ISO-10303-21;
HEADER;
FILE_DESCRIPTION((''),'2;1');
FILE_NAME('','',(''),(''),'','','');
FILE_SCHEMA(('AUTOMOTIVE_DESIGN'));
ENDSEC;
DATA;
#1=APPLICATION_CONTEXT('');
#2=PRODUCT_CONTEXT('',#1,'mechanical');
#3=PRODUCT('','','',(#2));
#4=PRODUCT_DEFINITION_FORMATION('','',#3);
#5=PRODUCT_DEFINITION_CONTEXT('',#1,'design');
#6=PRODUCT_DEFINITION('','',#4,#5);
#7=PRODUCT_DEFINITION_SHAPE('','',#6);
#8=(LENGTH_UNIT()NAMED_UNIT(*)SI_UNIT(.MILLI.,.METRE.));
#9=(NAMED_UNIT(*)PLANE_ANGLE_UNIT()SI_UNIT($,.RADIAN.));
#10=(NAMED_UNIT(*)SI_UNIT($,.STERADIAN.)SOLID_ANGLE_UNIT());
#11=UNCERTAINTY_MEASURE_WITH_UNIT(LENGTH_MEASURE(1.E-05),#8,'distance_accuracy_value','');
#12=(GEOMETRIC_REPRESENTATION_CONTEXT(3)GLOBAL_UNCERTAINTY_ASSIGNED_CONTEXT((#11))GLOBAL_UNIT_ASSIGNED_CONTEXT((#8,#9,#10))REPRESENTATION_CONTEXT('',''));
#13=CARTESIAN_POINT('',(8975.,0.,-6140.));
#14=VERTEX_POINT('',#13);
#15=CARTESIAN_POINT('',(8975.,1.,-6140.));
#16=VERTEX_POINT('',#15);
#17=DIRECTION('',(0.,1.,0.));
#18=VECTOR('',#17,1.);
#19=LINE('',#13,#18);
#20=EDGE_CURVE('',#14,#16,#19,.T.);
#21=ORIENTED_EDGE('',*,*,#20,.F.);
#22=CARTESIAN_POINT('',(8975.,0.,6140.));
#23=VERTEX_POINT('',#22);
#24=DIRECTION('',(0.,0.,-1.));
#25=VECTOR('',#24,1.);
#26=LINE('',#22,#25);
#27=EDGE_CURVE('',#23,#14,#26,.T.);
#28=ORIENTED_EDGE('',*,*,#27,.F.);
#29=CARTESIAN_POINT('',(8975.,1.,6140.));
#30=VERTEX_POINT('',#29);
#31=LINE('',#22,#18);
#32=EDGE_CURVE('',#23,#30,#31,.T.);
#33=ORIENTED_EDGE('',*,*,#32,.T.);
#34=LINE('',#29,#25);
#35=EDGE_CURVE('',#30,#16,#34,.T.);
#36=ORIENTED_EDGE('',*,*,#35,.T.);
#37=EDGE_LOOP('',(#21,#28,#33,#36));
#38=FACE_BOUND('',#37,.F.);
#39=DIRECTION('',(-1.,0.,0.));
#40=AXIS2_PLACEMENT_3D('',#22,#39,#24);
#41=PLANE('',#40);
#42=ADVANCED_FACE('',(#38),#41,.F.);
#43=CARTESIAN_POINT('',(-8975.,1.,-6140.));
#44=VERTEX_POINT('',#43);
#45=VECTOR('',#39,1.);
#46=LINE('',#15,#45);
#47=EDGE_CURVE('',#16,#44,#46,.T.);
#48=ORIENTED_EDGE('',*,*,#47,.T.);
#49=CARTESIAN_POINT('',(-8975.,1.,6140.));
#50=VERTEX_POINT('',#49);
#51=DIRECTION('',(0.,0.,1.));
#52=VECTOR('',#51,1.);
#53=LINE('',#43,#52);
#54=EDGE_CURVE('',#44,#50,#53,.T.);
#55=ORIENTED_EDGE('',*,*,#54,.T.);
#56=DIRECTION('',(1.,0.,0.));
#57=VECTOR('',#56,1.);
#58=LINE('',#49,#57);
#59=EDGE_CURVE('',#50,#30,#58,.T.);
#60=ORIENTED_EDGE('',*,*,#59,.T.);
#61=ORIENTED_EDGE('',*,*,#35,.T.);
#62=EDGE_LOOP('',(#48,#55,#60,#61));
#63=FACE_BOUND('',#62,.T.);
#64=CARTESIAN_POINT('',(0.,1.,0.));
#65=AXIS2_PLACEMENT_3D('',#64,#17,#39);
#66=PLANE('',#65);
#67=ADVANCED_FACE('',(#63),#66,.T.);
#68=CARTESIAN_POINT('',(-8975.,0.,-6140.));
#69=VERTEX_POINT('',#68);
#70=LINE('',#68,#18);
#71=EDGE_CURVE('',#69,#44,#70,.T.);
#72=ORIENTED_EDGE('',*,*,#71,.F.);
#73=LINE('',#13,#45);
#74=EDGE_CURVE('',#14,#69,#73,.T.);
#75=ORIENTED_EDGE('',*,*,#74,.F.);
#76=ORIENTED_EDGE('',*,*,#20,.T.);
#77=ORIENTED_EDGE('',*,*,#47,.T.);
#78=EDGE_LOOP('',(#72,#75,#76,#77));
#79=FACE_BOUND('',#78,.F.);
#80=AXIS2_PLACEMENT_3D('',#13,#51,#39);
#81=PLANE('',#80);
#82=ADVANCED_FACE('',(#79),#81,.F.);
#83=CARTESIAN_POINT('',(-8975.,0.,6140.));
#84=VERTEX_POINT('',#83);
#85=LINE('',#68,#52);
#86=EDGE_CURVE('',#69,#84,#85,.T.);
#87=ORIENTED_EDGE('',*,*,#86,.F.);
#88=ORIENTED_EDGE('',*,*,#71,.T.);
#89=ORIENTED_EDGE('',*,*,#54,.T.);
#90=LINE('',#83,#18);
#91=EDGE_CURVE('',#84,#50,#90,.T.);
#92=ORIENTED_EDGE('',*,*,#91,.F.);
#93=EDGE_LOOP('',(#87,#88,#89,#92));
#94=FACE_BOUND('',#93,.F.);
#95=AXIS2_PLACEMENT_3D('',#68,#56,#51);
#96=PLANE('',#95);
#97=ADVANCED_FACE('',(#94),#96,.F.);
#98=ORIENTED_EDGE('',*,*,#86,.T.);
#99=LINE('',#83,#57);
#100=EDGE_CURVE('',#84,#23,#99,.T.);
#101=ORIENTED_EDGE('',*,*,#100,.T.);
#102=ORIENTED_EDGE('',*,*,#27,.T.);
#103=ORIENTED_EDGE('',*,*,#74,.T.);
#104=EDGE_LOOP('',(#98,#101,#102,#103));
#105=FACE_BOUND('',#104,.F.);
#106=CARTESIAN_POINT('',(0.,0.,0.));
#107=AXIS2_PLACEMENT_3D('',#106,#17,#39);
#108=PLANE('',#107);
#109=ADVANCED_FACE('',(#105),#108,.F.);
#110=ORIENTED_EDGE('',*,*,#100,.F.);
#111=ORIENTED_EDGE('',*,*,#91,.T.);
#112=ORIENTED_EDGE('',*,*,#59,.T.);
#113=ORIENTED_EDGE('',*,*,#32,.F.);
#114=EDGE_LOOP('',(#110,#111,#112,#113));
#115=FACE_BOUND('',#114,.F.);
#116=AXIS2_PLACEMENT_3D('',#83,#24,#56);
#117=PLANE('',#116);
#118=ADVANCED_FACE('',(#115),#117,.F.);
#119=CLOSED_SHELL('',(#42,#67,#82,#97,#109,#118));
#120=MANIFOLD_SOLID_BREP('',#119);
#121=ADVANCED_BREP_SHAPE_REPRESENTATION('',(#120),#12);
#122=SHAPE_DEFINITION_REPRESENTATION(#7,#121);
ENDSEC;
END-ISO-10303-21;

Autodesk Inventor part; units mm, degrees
ref_plane "YZ Plane" through (0, 0, 0) normal (1, 0, 0) x (0, 1, 0)
ref_plane "XZ Plane" through (0, 0, 0) normal (0, 1, 0) x (-1, 0, 0)
ref_plane "XY Plane" through (0, 0, 0) normal (0, 0, 1) x (1, 0, 0)
sketch "Эскиз1" plane through (0, 0, 0) normal (0, 1, 0) x (-1, 0, 0)
  line L0 (8975, 6140) -> (-8975, 6140)
  line L1 (-8975, 6140) -> (-8975, -6140)
  line L2 (-8975, -6140) -> (8975, -6140)
  line L3 (8975, -6140) -> (8975, 6140)
  line L4 (8975, 6140) -> (-8975, -6140) construction
  line L5 (-8975, 6140) -> (8975, -6140) construction
  point P0 (0, 0)
  dimension "d0" = 17950
  dimension "d1" = 12280
extrude "Пластина1" add sketch "Эскиз1" along normal blind 1
equation "\"d2\" = Толщина"
equation "\"Радиус_гибки\" = Толщина"
equation "\"Ширина_просечки\" = Толщина"
equation "\"Глубина_просечки\" = 0.5 * Толщина"
equation "\"Размер_просечки\" = 4 * Толщина"
equation "\"Мин_остаток\" = 2 * Толщина"
equation "\"Радиус_перехода\" = Радиус_гибки"
equation "\"Радиус_Якоби\" = Радиус_гибки"
equation "\"Размер_зазора\" = Толщина"
equation "\"Толщина\" = 1"
properties part number "0910"
